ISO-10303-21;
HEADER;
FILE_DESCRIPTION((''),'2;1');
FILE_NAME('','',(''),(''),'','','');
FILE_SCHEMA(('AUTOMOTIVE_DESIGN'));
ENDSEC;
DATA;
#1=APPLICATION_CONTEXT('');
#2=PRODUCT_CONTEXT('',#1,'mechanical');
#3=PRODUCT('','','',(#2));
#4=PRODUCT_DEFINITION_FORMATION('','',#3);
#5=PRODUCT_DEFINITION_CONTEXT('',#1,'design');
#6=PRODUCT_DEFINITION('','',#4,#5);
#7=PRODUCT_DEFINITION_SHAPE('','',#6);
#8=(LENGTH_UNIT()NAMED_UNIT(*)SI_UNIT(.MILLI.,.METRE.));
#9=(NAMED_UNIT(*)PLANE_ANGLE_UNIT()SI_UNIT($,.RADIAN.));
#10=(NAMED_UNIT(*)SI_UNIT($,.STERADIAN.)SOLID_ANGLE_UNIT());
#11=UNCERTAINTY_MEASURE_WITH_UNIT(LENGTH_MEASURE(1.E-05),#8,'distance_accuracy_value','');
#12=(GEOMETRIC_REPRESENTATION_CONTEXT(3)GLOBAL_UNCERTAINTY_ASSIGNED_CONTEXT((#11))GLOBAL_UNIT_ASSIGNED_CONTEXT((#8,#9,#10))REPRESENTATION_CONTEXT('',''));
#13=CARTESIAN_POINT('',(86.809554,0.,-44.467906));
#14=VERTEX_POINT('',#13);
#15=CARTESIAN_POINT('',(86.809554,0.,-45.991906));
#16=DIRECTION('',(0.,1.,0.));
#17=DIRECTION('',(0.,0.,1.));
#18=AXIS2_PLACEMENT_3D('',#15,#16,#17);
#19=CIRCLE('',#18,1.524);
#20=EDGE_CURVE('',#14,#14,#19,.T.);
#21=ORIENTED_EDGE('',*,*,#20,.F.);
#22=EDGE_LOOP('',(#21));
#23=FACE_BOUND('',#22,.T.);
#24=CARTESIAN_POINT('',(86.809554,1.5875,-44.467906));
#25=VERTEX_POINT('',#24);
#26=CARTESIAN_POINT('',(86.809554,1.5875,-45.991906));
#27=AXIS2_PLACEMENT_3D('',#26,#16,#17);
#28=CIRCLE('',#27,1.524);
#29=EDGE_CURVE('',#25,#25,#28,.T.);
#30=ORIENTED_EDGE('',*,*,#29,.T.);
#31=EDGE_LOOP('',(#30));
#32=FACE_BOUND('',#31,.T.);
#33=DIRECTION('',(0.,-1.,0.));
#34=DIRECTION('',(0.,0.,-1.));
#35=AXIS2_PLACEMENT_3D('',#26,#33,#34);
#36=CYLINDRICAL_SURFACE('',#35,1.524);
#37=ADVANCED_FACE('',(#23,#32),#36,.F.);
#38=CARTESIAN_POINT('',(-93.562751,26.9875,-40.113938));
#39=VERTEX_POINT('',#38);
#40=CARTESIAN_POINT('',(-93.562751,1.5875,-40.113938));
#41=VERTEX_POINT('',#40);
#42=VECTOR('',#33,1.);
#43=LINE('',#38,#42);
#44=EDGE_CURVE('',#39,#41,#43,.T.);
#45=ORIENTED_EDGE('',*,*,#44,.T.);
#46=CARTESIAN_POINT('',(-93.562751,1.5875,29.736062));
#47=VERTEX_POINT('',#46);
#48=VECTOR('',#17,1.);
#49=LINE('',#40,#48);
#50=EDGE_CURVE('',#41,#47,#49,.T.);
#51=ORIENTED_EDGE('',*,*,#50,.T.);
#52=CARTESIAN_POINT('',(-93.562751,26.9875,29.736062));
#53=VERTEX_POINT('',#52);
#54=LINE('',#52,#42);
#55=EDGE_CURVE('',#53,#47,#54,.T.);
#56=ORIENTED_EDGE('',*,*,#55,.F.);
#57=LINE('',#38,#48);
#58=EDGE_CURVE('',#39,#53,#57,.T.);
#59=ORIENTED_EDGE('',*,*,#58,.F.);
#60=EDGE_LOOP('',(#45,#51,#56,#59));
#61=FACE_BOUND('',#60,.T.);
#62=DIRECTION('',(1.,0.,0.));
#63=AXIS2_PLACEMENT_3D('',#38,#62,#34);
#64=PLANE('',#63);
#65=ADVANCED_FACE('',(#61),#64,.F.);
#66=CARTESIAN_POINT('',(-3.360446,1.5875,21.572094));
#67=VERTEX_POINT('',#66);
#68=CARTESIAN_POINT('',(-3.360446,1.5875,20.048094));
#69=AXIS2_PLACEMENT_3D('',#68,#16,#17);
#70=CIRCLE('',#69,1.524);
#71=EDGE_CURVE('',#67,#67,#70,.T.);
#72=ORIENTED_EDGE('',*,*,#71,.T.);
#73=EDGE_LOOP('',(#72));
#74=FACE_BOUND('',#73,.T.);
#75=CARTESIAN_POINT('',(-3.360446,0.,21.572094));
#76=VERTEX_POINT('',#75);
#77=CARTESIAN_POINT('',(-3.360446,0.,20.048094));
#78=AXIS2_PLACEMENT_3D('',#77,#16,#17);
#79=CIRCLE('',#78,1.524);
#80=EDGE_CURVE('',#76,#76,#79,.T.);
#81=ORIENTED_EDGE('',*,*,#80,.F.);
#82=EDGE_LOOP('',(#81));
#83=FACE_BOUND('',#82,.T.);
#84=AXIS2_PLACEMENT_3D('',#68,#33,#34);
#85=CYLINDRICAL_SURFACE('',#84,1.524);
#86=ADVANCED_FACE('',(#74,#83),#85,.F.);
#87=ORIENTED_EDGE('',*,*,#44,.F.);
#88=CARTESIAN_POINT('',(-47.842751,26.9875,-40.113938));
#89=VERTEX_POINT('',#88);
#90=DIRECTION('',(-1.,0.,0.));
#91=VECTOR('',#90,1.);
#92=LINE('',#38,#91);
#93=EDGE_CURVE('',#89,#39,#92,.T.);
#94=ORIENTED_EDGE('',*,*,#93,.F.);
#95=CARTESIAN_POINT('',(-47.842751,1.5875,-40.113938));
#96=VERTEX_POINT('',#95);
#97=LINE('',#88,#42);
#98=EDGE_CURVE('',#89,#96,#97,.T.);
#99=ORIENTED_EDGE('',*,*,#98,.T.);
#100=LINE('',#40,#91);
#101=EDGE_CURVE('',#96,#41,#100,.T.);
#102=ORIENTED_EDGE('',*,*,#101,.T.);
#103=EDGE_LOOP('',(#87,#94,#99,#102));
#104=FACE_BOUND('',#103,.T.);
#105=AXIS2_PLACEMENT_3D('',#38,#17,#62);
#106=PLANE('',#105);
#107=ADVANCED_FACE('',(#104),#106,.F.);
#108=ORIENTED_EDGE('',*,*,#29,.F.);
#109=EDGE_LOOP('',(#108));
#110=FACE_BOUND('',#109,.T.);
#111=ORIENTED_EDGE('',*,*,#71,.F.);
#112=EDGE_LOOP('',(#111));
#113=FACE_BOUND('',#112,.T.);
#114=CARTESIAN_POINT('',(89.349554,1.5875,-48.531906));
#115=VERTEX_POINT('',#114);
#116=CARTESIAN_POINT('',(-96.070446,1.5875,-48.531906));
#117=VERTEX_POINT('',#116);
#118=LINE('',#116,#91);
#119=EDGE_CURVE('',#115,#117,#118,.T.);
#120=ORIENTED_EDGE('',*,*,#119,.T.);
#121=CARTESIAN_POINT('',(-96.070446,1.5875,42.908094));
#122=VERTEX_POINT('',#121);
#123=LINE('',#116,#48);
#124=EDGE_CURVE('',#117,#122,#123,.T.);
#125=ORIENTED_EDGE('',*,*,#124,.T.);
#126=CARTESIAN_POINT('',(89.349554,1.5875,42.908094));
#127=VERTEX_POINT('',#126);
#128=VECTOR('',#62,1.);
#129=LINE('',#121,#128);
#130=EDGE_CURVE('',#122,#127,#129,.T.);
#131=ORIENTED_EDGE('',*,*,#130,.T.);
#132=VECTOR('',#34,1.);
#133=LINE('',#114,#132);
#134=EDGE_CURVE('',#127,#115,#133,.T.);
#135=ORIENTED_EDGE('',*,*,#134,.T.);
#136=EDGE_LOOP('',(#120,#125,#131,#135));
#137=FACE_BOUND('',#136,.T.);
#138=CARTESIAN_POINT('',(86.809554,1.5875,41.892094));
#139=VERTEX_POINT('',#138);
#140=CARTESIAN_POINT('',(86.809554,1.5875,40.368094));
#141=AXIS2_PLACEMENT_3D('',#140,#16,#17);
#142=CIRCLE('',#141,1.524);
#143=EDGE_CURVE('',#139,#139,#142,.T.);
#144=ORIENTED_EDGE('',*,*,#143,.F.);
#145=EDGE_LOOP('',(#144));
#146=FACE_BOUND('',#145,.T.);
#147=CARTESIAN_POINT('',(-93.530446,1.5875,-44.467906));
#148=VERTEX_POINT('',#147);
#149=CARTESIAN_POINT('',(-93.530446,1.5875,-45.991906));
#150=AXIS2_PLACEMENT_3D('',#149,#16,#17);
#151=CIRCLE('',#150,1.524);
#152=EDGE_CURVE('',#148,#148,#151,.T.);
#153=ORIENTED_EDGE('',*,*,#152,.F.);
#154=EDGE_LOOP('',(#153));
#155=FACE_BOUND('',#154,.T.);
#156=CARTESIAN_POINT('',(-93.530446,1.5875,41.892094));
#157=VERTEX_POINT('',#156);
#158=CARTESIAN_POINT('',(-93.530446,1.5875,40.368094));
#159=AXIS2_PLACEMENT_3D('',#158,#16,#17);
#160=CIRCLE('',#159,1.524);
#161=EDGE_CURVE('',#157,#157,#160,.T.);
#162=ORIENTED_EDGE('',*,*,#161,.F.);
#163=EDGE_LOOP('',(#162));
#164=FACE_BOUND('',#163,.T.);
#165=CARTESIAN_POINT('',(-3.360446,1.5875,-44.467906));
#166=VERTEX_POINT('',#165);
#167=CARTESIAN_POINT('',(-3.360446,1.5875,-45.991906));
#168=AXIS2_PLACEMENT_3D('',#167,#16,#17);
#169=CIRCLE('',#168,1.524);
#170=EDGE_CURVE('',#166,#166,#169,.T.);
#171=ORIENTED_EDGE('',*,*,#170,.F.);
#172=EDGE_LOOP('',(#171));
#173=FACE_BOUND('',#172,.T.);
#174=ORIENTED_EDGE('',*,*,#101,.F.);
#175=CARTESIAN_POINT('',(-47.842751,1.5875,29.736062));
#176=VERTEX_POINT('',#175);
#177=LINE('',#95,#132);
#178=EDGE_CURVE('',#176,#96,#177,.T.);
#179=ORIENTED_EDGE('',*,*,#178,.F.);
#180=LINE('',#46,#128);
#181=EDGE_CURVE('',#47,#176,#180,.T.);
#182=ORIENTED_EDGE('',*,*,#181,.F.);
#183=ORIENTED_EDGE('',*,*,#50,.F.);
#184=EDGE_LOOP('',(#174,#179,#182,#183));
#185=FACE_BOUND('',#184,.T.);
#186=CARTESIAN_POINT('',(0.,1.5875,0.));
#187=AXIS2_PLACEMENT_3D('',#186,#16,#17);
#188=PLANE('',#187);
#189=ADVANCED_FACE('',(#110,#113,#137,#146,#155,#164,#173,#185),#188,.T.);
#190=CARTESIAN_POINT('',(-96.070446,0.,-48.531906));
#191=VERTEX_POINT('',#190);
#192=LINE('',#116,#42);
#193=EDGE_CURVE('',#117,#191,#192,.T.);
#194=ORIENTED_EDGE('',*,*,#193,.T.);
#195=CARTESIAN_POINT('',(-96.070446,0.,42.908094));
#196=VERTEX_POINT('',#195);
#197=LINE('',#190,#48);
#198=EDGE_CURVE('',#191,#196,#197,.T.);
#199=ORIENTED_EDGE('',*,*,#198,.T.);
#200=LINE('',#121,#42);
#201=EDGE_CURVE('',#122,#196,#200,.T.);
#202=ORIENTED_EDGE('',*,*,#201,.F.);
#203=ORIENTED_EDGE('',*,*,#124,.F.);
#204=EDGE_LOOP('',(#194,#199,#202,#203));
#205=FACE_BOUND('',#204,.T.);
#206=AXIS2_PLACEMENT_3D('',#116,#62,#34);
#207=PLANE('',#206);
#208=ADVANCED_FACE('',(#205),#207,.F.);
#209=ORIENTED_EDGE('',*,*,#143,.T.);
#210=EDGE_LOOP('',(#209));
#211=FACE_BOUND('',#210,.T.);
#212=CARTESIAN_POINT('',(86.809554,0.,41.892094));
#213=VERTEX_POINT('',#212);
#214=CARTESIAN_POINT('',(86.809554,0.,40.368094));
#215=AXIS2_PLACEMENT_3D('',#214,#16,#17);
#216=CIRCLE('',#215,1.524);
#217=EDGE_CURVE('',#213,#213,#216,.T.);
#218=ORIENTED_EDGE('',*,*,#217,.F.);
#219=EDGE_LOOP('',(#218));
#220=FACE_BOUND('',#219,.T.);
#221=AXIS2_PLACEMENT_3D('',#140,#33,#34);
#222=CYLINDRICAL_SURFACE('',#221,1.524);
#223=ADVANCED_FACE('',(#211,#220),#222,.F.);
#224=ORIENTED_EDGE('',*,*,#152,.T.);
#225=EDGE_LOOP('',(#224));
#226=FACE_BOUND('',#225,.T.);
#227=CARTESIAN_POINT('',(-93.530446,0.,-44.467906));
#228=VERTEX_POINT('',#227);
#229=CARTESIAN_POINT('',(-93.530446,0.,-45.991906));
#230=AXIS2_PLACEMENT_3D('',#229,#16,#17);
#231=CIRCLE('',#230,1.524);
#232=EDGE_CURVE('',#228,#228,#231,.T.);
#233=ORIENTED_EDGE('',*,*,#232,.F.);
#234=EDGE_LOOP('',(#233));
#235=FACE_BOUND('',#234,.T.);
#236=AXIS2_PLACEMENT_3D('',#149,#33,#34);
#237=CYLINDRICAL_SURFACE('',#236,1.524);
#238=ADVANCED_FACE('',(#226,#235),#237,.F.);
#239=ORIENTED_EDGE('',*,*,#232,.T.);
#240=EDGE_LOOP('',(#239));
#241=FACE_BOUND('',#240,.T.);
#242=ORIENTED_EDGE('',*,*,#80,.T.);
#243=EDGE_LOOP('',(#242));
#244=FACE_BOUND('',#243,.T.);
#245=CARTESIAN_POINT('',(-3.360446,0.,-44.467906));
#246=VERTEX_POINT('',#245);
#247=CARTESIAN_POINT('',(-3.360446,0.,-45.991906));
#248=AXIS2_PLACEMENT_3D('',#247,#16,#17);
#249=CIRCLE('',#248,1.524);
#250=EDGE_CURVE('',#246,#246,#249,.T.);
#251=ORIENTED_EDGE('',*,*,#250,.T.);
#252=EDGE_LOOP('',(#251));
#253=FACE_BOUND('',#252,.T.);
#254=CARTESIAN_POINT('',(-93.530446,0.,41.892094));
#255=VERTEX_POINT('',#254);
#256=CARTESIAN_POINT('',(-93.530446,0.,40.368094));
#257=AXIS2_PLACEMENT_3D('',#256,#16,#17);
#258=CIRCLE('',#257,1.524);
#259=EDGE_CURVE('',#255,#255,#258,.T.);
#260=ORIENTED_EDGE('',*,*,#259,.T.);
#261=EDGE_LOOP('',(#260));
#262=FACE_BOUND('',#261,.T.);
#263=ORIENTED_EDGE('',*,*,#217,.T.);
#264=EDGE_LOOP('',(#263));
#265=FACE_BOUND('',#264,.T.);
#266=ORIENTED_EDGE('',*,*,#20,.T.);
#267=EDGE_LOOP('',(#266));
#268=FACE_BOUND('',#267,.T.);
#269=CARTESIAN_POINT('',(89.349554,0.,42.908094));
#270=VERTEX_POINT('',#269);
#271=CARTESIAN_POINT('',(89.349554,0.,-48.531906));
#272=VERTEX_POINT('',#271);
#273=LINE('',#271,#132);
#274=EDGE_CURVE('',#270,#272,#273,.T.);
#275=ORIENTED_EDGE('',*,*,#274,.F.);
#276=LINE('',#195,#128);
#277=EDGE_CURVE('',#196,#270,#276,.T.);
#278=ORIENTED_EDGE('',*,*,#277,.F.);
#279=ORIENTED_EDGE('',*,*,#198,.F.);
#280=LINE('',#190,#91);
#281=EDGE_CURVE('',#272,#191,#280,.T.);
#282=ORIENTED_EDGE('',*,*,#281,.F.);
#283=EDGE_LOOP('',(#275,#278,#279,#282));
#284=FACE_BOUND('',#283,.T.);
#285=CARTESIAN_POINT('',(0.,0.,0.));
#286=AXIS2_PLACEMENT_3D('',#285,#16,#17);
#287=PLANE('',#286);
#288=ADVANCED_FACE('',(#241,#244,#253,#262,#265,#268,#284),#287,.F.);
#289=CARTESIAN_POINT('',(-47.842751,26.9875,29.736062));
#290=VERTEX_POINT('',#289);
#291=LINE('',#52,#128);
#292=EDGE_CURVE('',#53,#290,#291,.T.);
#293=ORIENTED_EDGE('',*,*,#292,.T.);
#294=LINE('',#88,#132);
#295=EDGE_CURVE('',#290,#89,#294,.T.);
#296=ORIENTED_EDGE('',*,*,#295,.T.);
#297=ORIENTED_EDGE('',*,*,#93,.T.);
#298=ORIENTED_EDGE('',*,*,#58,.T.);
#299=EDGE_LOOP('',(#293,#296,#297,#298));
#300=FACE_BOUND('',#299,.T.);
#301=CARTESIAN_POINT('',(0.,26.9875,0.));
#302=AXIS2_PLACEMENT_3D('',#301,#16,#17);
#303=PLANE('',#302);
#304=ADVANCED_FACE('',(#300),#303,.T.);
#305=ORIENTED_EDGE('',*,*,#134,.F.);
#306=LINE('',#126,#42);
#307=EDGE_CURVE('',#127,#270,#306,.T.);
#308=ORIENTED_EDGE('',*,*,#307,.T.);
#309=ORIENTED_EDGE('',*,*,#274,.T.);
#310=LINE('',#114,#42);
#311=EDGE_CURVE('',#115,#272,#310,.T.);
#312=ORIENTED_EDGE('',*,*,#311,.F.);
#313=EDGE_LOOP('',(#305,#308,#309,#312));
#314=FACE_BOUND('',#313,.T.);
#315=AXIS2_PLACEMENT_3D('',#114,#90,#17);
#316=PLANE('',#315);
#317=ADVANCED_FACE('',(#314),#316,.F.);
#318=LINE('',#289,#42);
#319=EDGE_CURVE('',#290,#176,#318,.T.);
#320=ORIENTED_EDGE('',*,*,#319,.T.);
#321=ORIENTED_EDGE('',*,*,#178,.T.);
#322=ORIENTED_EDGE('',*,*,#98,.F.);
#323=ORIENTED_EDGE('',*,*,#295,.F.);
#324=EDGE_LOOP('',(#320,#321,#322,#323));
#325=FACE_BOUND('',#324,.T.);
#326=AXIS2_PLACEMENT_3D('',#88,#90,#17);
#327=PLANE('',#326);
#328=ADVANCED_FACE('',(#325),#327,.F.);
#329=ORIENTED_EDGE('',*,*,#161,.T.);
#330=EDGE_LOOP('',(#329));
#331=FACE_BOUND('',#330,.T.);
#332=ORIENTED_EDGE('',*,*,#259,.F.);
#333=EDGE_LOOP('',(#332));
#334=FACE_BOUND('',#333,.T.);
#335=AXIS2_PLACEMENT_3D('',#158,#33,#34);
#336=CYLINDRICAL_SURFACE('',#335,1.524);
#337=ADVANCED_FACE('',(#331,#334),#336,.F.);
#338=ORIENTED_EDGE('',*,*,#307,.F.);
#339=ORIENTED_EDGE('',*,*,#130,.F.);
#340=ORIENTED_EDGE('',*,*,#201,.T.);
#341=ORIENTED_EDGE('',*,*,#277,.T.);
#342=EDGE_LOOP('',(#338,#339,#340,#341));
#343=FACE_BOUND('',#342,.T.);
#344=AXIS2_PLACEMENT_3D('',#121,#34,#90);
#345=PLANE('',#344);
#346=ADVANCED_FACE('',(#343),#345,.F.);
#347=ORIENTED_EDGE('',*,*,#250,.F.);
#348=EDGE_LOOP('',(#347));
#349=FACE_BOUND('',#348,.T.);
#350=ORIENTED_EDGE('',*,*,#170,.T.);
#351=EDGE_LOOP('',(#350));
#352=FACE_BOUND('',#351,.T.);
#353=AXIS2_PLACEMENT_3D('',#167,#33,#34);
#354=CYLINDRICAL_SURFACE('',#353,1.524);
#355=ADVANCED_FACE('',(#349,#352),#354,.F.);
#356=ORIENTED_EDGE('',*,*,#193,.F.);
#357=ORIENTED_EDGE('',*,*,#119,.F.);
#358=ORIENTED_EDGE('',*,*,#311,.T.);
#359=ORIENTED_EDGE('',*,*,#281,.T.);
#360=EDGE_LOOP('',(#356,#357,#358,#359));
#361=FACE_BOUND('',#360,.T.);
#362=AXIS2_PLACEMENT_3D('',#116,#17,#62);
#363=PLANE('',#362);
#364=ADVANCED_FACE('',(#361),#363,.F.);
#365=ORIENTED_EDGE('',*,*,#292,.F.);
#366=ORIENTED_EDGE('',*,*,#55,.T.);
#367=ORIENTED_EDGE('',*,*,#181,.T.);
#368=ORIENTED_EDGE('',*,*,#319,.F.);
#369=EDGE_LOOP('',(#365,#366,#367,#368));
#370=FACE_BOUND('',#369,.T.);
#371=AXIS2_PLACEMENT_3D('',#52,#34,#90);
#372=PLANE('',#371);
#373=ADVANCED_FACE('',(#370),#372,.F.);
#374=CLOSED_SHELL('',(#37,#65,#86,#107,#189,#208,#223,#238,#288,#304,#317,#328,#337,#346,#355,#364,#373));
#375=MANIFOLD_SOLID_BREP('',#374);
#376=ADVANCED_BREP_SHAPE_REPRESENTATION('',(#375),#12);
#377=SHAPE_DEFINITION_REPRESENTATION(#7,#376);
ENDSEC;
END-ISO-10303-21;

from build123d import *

# Parameters (mm, degrees)
SKETCH1_W           = 185.42
SKETCH1_H           = 91.44
SKETCH1_R           = 1.524
BOSS_EXTRUDE1_DEPTH = 1.5875
SKETCH2_W           = 45.72
SKETCH2_H           = 69.85
BOSS_EXTRUDE2_DEPTH = 25.4


with BuildPart() as part:
    # Sketch1 → Boss-Extrude1 (new body)
    with BuildSketch(Plane(origin=(0, 0, 0), x_dir=(1, 0, 0), z_dir=(0, 1, 0))):
        with Locations((-3.360446214, 2.811906005)):
            Rectangle(SKETCH1_W, SKETCH1_H)
        with Locations((-93.530446214, 45.991906005)):
            Circle(SKETCH1_R, mode=Mode.SUBTRACT)
        with Locations((86.809553786, 45.991906005)):
            Circle(SKETCH1_R, mode=Mode.SUBTRACT)
        with Locations((86.809553786, -40.368093995)):
            Circle(SKETCH1_R, mode=Mode.SUBTRACT)
        with Locations((-93.530446214, -40.368093995)):
            Circle(SKETCH1_R, mode=Mode.SUBTRACT)
        with Locations((-3.360446214, 45.991906005)):
            Circle(SKETCH1_R, mode=Mode.SUBTRACT)
        with Locations((-3.360446214, -20.048093995)):
            Circle(SKETCH1_R, mode=Mode.SUBTRACT)
    extrude(amount=BOSS_EXTRUDE1_DEPTH)

    # Sketch2 → Boss-Extrude2 (add)
    with BuildSketch(Plane(origin=(0, 1.5875, 0), x_dir=(1, 0, 0), z_dir=(0, 1, 0))):
        with Locations((-70.702750799, 5.188938255)):
            Rectangle(SKETCH2_W, SKETCH2_H)
    extrude(amount=BOSS_EXTRUDE2_DEPTH)


solid = part.part
